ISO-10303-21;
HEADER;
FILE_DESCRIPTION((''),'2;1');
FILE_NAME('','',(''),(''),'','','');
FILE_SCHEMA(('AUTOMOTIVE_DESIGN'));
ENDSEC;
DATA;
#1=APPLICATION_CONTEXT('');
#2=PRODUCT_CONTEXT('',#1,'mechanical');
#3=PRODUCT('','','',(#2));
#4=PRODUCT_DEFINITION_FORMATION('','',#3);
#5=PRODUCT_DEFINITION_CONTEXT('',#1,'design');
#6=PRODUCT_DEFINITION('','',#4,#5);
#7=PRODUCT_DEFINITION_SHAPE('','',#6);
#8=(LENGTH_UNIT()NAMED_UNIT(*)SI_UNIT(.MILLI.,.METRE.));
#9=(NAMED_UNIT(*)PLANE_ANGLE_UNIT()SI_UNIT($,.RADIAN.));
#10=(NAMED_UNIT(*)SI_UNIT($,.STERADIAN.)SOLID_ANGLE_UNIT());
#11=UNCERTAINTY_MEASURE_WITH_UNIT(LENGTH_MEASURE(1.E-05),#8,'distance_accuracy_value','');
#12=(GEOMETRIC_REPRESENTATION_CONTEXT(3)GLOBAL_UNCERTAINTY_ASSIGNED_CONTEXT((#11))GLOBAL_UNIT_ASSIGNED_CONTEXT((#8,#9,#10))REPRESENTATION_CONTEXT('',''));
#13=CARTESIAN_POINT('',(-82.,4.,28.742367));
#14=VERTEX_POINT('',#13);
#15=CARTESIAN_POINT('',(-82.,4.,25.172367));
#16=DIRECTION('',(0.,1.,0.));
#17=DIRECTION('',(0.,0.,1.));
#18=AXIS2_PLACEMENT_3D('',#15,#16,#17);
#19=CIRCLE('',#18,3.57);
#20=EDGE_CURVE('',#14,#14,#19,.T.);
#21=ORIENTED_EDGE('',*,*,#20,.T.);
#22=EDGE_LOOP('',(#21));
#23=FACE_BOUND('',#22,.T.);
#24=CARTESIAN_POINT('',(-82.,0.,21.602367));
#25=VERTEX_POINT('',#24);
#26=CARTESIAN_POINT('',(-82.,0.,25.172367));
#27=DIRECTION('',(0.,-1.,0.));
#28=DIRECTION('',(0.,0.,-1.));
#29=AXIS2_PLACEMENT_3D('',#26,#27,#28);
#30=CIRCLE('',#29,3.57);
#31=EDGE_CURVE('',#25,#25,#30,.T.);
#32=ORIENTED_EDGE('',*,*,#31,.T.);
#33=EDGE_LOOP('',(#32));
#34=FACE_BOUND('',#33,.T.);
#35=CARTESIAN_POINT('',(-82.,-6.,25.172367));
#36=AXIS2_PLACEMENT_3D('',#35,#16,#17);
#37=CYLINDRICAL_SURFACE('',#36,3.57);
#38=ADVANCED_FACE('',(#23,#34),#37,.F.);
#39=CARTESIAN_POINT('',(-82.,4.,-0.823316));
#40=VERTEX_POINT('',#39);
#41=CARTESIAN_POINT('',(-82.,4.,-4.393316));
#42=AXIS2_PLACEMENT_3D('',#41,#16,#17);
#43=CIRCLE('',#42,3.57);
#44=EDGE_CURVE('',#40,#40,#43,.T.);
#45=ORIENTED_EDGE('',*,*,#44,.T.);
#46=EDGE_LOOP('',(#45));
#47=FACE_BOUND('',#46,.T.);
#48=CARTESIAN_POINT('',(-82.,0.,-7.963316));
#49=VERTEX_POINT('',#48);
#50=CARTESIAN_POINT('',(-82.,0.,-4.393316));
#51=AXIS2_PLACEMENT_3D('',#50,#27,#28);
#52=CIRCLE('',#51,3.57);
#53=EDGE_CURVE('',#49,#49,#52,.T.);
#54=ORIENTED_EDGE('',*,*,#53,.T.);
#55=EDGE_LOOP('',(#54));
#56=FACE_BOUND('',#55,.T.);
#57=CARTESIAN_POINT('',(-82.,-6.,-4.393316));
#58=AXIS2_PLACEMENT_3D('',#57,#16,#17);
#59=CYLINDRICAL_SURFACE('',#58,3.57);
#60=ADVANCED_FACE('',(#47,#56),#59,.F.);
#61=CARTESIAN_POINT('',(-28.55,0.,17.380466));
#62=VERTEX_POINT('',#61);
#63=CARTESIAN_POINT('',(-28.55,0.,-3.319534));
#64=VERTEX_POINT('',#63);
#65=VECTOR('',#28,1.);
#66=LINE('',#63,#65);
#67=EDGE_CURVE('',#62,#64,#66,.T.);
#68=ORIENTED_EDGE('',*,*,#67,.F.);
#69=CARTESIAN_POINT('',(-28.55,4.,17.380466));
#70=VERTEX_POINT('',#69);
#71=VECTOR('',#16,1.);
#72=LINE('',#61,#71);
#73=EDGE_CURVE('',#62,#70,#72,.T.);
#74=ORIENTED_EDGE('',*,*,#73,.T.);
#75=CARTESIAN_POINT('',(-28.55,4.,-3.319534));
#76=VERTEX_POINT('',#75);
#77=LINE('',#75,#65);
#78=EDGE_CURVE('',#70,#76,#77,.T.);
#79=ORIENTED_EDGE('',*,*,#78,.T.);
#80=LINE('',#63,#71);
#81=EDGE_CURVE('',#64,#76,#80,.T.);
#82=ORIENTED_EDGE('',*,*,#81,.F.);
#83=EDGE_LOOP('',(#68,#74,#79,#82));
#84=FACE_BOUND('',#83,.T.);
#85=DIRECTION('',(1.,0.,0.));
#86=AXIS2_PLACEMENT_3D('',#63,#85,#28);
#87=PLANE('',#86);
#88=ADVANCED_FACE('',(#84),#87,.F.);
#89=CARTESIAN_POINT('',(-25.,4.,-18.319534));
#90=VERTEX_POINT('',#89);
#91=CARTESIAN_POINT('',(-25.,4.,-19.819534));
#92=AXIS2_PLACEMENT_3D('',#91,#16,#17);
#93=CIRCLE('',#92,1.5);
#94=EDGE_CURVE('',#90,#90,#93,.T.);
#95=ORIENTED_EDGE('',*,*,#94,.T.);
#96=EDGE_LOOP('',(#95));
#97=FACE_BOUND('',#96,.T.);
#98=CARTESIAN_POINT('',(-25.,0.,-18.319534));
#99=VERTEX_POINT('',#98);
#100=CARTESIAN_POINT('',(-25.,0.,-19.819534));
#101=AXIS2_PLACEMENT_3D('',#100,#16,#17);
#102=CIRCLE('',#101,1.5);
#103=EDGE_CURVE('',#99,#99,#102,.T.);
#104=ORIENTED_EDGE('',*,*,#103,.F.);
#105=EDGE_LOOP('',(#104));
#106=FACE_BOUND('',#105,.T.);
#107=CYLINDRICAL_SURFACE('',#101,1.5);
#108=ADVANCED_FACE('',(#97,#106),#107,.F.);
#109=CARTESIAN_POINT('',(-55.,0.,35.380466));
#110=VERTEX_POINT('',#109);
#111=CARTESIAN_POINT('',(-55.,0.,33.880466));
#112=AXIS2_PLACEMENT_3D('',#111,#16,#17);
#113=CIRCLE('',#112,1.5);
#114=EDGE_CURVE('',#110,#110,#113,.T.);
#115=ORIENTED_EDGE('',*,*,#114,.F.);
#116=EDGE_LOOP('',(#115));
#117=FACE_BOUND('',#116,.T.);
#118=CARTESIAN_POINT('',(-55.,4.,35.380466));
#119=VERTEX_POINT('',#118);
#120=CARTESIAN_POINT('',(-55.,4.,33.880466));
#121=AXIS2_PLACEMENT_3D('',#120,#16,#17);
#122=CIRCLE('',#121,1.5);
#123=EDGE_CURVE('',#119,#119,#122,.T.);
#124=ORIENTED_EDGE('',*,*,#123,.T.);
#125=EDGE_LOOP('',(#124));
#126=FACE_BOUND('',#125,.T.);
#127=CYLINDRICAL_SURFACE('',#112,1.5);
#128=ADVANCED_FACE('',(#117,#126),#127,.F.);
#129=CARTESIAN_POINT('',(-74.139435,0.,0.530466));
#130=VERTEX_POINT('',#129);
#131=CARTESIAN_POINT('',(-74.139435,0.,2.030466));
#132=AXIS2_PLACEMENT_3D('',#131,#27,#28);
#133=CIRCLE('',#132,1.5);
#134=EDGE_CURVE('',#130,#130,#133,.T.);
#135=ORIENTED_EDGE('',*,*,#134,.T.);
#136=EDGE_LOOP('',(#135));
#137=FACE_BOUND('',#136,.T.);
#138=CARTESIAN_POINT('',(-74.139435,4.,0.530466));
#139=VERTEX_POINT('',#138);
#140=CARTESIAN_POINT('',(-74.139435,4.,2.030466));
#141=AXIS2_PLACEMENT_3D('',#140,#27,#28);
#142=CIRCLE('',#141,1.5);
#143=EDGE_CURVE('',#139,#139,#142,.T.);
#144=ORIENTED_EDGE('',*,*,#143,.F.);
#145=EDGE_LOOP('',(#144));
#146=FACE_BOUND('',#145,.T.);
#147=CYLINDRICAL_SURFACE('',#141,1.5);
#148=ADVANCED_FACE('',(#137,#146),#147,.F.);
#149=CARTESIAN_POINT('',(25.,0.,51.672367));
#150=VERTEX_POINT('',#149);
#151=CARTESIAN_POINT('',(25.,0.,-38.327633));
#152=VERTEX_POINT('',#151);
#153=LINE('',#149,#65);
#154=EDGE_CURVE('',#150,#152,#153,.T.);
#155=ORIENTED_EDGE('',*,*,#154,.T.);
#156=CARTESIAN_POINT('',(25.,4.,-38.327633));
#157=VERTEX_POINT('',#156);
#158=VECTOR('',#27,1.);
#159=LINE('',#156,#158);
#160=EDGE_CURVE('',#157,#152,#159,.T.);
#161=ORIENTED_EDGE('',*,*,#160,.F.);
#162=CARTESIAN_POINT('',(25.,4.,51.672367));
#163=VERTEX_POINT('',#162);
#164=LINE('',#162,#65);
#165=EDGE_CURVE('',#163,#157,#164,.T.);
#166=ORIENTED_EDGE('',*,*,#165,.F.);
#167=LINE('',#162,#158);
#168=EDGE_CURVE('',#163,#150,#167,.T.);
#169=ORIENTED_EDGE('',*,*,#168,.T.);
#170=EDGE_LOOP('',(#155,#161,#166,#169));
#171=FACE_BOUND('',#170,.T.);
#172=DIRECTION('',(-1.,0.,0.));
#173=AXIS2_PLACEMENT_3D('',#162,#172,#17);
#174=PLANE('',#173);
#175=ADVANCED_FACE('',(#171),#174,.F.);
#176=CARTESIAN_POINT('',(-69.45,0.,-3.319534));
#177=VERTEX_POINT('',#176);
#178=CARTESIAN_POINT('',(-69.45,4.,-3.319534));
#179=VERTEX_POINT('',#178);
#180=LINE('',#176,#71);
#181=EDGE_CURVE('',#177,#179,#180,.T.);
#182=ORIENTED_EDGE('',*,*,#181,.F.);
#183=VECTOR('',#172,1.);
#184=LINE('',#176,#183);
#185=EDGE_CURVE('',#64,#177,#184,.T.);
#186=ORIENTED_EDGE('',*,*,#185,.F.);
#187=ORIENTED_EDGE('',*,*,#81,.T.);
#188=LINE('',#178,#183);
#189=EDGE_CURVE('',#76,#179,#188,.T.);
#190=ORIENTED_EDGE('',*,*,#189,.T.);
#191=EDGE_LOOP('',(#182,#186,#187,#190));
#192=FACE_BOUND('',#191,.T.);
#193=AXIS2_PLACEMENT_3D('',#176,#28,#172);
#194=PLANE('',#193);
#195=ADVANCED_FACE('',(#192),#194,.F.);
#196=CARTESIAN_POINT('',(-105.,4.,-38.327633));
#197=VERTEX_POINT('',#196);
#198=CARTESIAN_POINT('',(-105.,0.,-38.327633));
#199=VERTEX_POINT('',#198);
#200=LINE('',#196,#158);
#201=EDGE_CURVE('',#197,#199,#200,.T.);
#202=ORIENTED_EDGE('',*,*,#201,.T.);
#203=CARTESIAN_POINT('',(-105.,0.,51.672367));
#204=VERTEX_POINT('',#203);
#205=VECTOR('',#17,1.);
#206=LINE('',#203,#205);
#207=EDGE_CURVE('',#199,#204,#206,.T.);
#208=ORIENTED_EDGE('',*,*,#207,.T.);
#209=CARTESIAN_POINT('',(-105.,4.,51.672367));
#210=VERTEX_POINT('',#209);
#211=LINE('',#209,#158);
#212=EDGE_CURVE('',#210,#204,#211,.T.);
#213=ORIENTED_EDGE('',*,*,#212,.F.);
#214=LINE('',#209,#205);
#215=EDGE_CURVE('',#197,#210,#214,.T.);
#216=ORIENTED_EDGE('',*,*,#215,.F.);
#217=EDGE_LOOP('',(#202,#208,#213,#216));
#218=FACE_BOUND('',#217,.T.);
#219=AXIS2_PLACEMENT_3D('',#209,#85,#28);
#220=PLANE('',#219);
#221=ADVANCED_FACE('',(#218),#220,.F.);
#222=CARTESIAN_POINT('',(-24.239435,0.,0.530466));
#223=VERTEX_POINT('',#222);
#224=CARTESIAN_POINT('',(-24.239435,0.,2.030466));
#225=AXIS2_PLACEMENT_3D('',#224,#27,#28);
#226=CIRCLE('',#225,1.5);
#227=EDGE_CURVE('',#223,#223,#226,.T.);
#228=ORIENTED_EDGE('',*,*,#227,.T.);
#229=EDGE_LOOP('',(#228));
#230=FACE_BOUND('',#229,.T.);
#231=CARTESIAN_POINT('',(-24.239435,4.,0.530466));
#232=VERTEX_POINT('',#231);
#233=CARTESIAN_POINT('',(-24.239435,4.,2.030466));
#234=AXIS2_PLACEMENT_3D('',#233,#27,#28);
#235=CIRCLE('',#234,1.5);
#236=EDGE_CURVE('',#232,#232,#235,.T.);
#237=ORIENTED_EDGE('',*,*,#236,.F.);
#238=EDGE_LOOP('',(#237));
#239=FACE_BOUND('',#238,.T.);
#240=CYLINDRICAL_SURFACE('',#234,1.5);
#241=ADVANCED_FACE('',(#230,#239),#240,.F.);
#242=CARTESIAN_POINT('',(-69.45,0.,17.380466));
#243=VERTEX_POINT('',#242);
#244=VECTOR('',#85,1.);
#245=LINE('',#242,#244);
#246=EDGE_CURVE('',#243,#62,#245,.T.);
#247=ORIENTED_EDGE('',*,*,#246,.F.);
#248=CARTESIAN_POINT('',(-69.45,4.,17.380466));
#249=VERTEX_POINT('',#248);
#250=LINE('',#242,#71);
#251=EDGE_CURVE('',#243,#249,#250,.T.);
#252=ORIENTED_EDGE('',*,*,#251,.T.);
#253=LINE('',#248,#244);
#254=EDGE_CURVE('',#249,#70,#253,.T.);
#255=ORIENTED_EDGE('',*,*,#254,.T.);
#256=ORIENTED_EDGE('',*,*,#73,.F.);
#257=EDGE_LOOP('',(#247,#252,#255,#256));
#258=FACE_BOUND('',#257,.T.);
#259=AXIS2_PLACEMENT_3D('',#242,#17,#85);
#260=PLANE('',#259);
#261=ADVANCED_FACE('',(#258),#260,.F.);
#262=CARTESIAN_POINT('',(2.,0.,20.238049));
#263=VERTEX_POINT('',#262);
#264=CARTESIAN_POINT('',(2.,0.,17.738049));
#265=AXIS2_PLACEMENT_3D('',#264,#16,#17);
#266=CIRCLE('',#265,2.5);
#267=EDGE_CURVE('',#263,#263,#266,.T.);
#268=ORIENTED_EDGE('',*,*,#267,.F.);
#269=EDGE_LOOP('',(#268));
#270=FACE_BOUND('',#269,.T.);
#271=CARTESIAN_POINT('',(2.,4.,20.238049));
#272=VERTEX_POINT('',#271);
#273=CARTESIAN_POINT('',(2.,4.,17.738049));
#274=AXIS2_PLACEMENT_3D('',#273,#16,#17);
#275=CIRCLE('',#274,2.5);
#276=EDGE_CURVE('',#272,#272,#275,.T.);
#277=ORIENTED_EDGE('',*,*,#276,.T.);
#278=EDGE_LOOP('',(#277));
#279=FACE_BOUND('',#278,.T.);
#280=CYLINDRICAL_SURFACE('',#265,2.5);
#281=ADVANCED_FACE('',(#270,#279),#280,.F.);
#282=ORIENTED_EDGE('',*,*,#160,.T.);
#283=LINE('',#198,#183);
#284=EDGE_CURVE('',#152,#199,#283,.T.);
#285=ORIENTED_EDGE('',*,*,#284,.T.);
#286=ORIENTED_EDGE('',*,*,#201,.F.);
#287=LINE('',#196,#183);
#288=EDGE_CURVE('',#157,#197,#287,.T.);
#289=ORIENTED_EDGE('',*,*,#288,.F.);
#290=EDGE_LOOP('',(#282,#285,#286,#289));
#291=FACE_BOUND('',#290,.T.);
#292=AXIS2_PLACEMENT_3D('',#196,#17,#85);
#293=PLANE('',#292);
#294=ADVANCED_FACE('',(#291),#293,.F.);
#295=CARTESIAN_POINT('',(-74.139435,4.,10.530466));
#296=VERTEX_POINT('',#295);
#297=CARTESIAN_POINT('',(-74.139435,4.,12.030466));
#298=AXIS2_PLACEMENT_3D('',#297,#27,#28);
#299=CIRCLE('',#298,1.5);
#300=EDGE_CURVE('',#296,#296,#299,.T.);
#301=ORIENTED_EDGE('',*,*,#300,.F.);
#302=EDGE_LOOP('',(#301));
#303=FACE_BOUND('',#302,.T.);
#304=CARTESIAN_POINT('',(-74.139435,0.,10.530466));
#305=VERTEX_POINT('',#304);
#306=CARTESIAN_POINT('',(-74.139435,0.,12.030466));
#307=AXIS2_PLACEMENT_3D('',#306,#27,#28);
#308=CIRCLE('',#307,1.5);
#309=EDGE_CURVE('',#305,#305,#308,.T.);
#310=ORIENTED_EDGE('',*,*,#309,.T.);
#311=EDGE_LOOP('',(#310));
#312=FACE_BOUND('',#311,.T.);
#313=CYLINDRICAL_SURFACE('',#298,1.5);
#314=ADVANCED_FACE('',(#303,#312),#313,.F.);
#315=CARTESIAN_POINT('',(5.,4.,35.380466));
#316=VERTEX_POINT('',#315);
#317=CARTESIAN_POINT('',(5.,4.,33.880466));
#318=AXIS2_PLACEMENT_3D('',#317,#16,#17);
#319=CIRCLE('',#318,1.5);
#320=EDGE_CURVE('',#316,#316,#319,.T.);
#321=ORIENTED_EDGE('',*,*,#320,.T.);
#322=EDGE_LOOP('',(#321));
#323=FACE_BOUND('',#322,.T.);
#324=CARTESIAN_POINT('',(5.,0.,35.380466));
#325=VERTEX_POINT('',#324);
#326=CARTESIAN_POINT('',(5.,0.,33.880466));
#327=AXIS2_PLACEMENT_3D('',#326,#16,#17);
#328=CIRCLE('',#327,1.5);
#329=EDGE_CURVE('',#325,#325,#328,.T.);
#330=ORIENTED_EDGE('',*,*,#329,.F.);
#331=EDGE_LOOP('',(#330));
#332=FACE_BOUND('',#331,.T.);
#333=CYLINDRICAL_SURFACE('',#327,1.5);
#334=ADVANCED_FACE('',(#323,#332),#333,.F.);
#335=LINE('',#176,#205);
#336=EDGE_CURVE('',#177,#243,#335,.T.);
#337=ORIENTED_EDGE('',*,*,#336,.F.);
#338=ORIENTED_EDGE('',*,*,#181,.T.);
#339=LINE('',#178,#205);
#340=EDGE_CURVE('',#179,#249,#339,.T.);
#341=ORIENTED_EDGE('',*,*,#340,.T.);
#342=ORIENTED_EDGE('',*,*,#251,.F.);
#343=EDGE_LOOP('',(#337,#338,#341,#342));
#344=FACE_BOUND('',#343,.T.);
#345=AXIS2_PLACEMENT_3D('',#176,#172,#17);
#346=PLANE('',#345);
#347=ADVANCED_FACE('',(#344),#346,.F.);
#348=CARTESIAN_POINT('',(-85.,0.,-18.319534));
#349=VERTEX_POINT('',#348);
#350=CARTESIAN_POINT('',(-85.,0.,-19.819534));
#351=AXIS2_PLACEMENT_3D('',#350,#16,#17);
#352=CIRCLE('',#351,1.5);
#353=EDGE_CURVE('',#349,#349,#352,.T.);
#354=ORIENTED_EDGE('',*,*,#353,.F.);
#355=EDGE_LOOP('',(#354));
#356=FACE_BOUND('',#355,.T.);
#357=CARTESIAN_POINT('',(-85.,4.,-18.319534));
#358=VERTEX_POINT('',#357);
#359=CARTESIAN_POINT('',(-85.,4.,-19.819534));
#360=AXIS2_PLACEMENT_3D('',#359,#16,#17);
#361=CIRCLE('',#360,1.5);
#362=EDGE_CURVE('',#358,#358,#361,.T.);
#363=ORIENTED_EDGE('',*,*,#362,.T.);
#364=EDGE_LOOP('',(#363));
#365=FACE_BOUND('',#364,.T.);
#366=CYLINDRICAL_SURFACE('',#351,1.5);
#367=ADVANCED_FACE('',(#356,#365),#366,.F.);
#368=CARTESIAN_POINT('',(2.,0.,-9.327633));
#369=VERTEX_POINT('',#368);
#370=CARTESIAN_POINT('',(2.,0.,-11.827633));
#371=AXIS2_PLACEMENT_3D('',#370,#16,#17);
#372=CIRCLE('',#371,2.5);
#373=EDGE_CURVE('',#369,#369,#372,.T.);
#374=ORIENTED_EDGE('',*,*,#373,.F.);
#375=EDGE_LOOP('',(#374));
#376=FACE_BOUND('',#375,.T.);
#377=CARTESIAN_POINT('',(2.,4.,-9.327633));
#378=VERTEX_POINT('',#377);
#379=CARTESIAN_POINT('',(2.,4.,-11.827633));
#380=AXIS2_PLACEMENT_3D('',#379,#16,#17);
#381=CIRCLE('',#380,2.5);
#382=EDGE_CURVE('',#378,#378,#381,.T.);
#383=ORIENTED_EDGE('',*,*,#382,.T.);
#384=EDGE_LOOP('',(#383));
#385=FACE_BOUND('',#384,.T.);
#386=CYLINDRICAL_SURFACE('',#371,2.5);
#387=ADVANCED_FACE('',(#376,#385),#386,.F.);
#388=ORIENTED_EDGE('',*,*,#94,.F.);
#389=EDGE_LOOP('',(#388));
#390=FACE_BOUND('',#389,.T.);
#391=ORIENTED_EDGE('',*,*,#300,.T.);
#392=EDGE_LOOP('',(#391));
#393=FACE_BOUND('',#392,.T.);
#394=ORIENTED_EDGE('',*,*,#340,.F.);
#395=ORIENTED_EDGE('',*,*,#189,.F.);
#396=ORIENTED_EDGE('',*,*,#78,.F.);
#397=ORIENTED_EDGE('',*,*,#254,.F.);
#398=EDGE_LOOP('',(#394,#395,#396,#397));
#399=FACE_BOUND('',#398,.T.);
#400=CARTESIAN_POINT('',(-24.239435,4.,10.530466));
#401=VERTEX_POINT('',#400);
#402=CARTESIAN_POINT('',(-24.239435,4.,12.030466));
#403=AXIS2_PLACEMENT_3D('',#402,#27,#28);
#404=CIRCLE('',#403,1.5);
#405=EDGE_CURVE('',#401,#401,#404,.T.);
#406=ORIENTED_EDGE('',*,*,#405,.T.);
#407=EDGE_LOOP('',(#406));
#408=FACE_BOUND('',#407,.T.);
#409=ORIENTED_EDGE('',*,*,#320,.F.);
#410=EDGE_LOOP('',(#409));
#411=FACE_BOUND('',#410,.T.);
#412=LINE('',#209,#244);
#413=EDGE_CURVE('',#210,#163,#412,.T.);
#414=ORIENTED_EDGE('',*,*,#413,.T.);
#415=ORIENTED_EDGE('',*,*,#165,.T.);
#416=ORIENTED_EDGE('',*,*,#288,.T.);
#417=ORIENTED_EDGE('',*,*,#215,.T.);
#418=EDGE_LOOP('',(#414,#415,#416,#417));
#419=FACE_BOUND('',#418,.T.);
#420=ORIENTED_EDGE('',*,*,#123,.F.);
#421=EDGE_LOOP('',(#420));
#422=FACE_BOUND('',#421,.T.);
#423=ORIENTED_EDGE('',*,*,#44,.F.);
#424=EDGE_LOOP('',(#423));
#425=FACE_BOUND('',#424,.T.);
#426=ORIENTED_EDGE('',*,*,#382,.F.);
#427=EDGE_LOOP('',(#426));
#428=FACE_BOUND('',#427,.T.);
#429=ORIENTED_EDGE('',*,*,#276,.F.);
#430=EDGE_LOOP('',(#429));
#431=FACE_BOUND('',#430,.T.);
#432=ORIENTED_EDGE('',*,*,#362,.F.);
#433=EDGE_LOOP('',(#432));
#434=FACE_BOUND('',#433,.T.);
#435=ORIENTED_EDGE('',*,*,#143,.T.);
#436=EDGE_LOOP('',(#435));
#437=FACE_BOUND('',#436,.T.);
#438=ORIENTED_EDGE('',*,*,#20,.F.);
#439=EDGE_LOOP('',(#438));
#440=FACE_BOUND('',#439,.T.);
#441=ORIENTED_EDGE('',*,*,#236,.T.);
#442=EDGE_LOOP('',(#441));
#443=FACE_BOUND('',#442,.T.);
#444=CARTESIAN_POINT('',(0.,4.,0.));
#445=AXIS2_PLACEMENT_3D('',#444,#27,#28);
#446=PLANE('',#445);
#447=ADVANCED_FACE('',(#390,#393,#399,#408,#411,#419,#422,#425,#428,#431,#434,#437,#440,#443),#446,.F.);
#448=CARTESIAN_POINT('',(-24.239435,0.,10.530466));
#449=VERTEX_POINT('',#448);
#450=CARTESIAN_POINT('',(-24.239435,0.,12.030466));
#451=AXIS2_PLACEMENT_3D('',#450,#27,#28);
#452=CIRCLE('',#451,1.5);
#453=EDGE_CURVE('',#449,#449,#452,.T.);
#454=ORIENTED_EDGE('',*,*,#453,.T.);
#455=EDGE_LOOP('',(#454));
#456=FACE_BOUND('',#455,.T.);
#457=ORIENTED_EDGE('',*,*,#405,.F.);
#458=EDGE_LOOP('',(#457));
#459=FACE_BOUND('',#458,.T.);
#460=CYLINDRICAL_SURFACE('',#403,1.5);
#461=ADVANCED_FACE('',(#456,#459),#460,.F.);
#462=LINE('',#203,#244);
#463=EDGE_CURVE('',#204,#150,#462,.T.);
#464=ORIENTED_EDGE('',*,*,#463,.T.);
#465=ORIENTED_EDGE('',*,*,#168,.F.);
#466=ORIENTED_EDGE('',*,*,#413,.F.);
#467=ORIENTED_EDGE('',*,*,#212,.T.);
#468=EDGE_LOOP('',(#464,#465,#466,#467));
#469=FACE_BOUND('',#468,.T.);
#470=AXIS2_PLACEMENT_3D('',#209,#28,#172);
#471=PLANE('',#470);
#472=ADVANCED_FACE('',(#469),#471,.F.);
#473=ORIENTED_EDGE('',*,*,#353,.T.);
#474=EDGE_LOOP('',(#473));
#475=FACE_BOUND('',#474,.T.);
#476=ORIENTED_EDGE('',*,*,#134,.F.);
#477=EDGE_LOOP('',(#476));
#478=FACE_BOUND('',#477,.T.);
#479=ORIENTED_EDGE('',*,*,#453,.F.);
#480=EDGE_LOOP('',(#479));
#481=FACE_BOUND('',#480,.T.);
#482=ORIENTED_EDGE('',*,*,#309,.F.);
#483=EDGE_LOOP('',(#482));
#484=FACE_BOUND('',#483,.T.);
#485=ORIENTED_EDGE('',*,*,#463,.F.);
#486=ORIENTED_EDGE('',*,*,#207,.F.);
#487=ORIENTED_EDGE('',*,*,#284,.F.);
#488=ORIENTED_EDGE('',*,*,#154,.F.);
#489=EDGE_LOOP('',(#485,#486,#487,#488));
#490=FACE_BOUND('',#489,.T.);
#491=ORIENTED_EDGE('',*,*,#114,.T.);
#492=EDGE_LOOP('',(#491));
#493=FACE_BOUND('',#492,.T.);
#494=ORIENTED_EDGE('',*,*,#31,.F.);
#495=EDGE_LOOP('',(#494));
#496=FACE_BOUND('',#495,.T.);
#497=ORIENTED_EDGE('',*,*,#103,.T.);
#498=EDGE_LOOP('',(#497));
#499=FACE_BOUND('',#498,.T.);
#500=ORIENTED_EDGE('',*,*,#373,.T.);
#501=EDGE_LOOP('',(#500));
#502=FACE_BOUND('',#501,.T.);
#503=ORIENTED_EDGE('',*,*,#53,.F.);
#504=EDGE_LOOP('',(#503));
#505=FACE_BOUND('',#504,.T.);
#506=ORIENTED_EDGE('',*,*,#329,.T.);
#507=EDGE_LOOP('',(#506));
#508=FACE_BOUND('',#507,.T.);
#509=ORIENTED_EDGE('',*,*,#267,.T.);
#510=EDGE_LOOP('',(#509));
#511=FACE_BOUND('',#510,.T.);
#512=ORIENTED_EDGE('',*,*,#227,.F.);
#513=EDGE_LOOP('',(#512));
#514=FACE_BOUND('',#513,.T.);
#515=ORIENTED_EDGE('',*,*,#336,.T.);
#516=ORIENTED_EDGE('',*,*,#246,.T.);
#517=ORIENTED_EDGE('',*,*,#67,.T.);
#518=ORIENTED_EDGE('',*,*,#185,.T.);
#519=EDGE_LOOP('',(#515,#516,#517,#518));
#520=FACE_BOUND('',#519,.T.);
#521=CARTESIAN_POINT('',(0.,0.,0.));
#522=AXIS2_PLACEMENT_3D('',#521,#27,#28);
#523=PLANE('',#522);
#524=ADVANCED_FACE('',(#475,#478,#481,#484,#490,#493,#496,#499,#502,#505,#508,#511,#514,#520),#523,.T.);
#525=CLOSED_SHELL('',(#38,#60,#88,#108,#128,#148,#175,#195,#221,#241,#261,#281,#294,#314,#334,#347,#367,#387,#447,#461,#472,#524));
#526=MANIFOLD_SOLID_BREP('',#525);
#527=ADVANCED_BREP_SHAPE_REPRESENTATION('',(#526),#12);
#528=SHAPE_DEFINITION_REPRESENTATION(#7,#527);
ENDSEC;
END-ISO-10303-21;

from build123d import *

# Parameters (mm, degrees)
SKETCH1_W           = 130
SKETCH1_H           = 90
BOSS_EXTRUDE1_DEPTH = 4
SKETCH7_R           = 3.65
SKETCH7_R_2         = 3.57
CUT_EXTRUDE5_DEPTH  = 10
SKETCH15_W          = 40.9
SKETCH15_H          = 20.7
CUT_EXTRUDE10_DEPTH = 5
SKETCH6_R           = 1.5
CUT_EXTRUDE4_DEPTH  = 4
SKETCH12_R          = 1.5
CUT_EXTRUDE8_DEPTH  = 5
SKETCH14_W          = 15.685038152
SKETCH14_H          = 44.965808151
SKETCH14_R          = 2.5
BOSS_EXTRUDE2_DEPTH = 4


with BuildPart() as part:
    # Sketch1 → Boss-Extrude1 (new body)
    with BuildSketch(Plane(origin=(0, 0, 0), x_dir=(1, 0, 0), z_dir=(0, 1, 0))):
        with Locations((-40, -6.672366697)):
            Rectangle(SKETCH1_W, SKETCH1_H)
    extrude(amount=BOSS_EXTRUDE1_DEPTH)

    # Sketch7 → Cut-Extrude5 (cut)
    with BuildSketch(Plane(origin=(0, 4, 0), x_dir=(1, 0, 0), z_dir=(0, 1, 0))):
        with Locations((2, 11.827633303)):
            Circle(SKETCH7_R)
        with Locations((2, -17.738049342)):
            Circle(SKETCH7_R)
        with Locations((-82, 4.393315947)):
            Circle(SKETCH7_R_2)
        with Locations((-82, -25.172366697)):
            Circle(SKETCH7_R_2)
    extrude(amount=-CUT_EXTRUDE5_DEPTH, mode=Mode.SUBTRACT)

    # Sketch15 → Cut-Extrude10 (cut, through all)
    with BuildSketch(Plane(origin=(0, 4, 0), x_dir=(1, 0, 0), z_dir=(0, 1, 0))):
        with Locations((-49, -7.030465848)):
            Rectangle(SKETCH15_W, SKETCH15_H)
    extrude(amount=-CUT_EXTRUDE10_DEPTH, mode=Mode.SUBTRACT)

    # Sketch6 → Cut-Extrude4 (cut)
    with BuildSketch(Plane.XZ):
        with Locations((-74.139435372, 12.030465848)):
            Circle(SKETCH6_R)
        with Locations((-24.239435372, 12.030465848)):
            Circle(SKETCH6_R)
        with Locations((-74.139435372, 2.030465848)):
            Circle(SKETCH6_R)
        with Locations((-24.239435372, 2.030465848)):
            Circle(SKETCH6_R)
    extrude(amount=-CUT_EXTRUDE4_DEPTH, mode=Mode.SUBTRACT)

    # Sketch12 → Cut-Extrude8 (cut, through all)
    with BuildSketch(Plane(origin=(0, 4, 0), x_dir=(1, 0, 0), z_dir=(0, 1, 0))):
        with Locations((-85, 19.819534152)):
            Circle(SKETCH12_R)
        with Locations((-25, 19.819534152)):
            Circle(SKETCH12_R)
        with Locations((-55, -33.880465848)):
            Circle(SKETCH12_R)
        with Locations((5, -33.880465848)):
            Circle(SKETCH12_R)
    extrude(amount=-CUT_EXTRUDE8_DEPTH, mode=Mode.SUBTRACT)

    # Sketch14 → Boss-Extrude2 (add, through all)
    with BuildSketch(Plane(origin=(0, 4, 0), x_dir=(1, 0, 0), z_dir=(0, 1, 0))):
        with Locations((2, -2.95520802)):
            Rectangle(SKETCH14_W, SKETCH14_H)
        with Locations((2, 11.827633303)):
            Circle(SKETCH14_R, mode=Mode.SUBTRACT)
        with Locations((2, -17.738049342)):
            Circle(SKETCH14_R, mode=Mode.SUBTRACT)
    extrude(amount=-BOSS_EXTRUDE2_DEPTH)


solid = part.part
